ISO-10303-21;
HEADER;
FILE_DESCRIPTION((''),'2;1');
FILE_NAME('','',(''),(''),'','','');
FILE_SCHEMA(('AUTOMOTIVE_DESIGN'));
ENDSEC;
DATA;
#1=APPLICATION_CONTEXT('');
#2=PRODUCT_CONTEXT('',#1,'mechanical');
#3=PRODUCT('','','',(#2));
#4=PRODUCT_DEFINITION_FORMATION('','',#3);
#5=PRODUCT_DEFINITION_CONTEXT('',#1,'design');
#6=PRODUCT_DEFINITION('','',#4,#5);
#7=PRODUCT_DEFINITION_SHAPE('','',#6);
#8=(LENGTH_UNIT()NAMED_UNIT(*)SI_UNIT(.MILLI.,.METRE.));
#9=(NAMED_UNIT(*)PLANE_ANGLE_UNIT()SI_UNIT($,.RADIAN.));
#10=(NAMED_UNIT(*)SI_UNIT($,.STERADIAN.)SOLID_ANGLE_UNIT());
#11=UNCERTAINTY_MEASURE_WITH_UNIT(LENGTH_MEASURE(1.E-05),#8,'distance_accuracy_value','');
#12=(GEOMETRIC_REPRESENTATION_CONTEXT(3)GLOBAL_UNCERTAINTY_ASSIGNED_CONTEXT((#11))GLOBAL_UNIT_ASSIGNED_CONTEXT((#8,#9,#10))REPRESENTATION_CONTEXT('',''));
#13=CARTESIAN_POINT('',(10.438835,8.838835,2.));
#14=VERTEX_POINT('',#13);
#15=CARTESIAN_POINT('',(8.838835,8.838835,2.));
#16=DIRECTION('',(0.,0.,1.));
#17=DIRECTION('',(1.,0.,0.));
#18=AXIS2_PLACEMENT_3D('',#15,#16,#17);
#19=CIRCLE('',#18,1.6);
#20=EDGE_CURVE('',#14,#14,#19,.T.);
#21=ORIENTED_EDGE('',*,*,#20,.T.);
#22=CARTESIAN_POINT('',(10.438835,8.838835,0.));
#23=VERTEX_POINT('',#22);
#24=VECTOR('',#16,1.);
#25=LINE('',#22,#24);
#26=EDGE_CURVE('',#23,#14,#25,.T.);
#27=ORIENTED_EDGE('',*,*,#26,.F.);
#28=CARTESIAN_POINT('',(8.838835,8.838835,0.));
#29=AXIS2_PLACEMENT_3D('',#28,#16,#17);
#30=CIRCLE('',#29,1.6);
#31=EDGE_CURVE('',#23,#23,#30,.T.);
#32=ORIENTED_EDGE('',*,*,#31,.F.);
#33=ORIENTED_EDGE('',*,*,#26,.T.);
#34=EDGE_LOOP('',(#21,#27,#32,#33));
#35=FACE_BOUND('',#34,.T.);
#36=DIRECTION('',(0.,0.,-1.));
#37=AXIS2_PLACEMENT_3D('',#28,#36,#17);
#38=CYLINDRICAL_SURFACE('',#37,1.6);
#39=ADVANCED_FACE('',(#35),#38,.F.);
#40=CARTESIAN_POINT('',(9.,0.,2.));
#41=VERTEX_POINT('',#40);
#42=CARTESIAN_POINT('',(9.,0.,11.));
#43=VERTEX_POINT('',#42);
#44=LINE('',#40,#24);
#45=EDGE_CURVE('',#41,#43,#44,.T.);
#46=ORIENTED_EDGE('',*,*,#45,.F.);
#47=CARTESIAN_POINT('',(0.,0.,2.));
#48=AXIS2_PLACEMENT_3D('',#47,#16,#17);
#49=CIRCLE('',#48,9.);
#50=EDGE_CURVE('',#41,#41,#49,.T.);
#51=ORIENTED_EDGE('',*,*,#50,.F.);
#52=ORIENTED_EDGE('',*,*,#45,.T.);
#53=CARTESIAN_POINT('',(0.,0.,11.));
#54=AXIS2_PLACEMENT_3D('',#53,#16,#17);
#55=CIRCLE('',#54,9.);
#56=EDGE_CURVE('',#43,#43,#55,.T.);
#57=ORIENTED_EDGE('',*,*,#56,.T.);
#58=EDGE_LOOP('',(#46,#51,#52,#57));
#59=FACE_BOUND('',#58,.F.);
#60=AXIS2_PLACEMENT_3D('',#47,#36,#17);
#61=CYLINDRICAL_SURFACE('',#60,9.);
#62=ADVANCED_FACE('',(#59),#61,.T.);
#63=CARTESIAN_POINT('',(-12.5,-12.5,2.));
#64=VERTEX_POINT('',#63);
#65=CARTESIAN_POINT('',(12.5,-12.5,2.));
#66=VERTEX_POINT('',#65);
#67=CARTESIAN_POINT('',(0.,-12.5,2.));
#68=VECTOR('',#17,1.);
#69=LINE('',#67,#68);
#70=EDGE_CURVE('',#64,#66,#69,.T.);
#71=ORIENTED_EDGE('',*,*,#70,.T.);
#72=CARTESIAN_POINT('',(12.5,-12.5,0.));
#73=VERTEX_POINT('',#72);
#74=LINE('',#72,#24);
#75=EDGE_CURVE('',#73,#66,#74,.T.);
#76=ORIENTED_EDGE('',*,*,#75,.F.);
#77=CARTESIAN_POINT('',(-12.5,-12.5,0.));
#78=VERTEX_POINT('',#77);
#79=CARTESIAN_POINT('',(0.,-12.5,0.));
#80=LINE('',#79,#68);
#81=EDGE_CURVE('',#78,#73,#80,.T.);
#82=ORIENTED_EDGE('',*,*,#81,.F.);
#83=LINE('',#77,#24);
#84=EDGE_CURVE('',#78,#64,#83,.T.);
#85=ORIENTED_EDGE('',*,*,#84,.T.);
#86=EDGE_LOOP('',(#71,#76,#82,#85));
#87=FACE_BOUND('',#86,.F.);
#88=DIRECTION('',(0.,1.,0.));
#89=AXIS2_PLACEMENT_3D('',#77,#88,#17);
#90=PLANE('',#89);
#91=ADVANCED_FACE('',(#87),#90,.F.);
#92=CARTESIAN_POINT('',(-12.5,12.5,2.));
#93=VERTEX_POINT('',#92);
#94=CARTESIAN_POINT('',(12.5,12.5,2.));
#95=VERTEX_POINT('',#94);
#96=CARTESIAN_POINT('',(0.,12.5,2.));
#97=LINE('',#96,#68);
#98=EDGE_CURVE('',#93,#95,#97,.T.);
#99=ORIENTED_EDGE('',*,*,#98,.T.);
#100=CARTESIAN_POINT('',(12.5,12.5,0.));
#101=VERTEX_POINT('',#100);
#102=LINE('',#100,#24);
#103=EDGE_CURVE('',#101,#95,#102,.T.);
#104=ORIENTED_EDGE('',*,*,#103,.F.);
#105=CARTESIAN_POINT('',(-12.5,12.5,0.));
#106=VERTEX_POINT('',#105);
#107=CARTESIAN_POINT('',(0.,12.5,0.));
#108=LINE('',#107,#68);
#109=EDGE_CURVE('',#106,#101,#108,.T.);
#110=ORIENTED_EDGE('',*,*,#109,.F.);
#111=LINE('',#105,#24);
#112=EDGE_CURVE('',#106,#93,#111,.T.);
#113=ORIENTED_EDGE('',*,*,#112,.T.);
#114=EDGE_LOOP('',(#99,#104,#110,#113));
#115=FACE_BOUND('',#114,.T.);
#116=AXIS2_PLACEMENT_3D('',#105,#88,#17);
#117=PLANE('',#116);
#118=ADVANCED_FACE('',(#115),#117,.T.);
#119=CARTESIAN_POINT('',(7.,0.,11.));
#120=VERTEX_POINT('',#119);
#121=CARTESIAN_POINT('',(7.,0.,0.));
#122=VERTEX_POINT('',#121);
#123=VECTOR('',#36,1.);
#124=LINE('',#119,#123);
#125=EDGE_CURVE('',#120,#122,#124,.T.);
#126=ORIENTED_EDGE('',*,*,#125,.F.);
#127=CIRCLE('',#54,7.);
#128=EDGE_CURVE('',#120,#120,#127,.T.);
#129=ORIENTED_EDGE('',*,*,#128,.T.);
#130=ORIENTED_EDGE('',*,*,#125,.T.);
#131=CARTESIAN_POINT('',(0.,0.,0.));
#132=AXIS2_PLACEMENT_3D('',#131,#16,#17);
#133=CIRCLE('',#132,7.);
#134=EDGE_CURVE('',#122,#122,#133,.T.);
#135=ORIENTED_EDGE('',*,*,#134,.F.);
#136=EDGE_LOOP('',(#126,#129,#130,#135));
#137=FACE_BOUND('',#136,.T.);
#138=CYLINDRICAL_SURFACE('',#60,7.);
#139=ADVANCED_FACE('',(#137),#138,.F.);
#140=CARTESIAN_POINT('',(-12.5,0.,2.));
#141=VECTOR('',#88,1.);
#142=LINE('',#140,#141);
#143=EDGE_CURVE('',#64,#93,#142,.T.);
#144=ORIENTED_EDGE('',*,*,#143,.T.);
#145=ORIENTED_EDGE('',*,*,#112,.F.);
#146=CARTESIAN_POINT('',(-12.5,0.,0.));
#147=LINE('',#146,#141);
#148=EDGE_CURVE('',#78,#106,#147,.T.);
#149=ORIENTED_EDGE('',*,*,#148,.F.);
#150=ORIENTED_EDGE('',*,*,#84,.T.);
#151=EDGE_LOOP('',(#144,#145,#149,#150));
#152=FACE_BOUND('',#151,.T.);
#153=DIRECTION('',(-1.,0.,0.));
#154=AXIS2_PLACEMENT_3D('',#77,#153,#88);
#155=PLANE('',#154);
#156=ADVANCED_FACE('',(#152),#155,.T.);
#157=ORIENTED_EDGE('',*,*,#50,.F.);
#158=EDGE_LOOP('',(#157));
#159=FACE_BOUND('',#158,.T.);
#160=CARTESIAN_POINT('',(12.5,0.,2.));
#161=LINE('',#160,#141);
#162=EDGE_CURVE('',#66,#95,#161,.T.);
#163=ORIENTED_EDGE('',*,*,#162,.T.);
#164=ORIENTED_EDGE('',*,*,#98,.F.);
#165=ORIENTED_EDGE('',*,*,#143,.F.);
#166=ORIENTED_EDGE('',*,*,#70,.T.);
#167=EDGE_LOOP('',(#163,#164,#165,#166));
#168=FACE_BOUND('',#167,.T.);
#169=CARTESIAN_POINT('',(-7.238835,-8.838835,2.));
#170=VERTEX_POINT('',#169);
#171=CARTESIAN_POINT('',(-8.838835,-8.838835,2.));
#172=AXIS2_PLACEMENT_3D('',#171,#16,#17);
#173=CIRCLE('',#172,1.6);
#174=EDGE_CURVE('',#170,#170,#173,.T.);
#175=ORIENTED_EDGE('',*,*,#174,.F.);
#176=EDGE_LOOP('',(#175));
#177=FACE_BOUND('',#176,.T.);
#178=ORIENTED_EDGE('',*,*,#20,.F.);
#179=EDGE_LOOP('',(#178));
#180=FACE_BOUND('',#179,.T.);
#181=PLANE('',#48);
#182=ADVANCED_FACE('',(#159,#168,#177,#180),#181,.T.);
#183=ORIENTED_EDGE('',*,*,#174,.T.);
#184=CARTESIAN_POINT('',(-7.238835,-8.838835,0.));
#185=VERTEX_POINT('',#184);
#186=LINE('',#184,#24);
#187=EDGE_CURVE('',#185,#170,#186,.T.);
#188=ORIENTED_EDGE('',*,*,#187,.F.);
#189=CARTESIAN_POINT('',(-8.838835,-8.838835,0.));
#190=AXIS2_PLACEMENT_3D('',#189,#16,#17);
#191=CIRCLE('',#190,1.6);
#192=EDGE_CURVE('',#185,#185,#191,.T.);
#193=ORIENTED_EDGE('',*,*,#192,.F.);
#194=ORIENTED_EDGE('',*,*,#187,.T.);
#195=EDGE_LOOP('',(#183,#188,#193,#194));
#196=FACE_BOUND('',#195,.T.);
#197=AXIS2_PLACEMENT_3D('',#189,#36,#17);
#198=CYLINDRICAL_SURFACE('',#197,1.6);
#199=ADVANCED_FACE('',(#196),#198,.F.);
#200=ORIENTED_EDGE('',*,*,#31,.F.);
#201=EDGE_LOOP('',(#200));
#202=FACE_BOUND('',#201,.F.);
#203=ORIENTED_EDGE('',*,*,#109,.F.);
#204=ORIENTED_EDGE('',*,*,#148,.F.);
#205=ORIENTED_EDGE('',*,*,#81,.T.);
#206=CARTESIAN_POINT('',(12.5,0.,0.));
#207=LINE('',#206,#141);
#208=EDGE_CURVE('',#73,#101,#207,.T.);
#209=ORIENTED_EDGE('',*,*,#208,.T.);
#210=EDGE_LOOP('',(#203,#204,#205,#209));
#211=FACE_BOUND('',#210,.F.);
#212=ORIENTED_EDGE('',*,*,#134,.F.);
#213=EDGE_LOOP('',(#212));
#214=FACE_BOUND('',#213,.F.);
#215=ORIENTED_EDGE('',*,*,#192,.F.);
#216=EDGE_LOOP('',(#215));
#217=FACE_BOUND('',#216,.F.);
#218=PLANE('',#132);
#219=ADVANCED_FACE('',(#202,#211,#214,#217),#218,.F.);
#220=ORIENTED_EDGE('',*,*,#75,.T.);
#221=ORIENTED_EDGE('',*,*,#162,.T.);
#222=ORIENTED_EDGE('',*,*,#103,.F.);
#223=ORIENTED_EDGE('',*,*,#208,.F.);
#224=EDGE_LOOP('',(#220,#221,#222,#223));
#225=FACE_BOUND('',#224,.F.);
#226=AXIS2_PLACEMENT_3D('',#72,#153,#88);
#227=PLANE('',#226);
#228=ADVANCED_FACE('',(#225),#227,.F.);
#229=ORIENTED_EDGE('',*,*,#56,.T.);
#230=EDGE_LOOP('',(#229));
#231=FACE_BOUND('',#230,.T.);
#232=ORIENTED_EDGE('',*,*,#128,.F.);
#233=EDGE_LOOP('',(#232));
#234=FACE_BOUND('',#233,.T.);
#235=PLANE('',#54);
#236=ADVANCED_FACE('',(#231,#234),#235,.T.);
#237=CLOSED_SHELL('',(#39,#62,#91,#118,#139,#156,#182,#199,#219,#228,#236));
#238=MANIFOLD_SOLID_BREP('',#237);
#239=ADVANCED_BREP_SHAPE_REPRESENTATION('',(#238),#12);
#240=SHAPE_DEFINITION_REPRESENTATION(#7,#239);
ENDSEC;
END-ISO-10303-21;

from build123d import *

# Parameters (mm, degrees)
F0_W     = 25
F0_H     = 25
F0_R     = 1.6
F0_R_2   = 7
F1_DEPTH = 2
F2_R     = 9
F2_R_2   = 7
F3_DEPTH = 9


with BuildPart() as f1:
    # F0 (on Top) → F1 (new body)
    with BuildSketch(Plane.XY):
        Rectangle(F0_W, F0_H)
        with Locations((-8.838835, -8.838835)):
            Circle(F0_R, mode=Mode.SUBTRACT)
        Circle(F0_R_2, mode=Mode.SUBTRACT)
        with Locations((8.838835, 8.838835)):
            Circle(F0_R, mode=Mode.SUBTRACT)
    extrude(amount=F1_DEPTH)

    # F2 (on face) → F3 (join)
    with BuildSketch(Plane.XY.offset(2)):
        Circle(F2_R)
        Circle(F2_R_2, mode=Mode.SUBTRACT)
    extrude(amount=F3_DEPTH)


solid = f1.part
